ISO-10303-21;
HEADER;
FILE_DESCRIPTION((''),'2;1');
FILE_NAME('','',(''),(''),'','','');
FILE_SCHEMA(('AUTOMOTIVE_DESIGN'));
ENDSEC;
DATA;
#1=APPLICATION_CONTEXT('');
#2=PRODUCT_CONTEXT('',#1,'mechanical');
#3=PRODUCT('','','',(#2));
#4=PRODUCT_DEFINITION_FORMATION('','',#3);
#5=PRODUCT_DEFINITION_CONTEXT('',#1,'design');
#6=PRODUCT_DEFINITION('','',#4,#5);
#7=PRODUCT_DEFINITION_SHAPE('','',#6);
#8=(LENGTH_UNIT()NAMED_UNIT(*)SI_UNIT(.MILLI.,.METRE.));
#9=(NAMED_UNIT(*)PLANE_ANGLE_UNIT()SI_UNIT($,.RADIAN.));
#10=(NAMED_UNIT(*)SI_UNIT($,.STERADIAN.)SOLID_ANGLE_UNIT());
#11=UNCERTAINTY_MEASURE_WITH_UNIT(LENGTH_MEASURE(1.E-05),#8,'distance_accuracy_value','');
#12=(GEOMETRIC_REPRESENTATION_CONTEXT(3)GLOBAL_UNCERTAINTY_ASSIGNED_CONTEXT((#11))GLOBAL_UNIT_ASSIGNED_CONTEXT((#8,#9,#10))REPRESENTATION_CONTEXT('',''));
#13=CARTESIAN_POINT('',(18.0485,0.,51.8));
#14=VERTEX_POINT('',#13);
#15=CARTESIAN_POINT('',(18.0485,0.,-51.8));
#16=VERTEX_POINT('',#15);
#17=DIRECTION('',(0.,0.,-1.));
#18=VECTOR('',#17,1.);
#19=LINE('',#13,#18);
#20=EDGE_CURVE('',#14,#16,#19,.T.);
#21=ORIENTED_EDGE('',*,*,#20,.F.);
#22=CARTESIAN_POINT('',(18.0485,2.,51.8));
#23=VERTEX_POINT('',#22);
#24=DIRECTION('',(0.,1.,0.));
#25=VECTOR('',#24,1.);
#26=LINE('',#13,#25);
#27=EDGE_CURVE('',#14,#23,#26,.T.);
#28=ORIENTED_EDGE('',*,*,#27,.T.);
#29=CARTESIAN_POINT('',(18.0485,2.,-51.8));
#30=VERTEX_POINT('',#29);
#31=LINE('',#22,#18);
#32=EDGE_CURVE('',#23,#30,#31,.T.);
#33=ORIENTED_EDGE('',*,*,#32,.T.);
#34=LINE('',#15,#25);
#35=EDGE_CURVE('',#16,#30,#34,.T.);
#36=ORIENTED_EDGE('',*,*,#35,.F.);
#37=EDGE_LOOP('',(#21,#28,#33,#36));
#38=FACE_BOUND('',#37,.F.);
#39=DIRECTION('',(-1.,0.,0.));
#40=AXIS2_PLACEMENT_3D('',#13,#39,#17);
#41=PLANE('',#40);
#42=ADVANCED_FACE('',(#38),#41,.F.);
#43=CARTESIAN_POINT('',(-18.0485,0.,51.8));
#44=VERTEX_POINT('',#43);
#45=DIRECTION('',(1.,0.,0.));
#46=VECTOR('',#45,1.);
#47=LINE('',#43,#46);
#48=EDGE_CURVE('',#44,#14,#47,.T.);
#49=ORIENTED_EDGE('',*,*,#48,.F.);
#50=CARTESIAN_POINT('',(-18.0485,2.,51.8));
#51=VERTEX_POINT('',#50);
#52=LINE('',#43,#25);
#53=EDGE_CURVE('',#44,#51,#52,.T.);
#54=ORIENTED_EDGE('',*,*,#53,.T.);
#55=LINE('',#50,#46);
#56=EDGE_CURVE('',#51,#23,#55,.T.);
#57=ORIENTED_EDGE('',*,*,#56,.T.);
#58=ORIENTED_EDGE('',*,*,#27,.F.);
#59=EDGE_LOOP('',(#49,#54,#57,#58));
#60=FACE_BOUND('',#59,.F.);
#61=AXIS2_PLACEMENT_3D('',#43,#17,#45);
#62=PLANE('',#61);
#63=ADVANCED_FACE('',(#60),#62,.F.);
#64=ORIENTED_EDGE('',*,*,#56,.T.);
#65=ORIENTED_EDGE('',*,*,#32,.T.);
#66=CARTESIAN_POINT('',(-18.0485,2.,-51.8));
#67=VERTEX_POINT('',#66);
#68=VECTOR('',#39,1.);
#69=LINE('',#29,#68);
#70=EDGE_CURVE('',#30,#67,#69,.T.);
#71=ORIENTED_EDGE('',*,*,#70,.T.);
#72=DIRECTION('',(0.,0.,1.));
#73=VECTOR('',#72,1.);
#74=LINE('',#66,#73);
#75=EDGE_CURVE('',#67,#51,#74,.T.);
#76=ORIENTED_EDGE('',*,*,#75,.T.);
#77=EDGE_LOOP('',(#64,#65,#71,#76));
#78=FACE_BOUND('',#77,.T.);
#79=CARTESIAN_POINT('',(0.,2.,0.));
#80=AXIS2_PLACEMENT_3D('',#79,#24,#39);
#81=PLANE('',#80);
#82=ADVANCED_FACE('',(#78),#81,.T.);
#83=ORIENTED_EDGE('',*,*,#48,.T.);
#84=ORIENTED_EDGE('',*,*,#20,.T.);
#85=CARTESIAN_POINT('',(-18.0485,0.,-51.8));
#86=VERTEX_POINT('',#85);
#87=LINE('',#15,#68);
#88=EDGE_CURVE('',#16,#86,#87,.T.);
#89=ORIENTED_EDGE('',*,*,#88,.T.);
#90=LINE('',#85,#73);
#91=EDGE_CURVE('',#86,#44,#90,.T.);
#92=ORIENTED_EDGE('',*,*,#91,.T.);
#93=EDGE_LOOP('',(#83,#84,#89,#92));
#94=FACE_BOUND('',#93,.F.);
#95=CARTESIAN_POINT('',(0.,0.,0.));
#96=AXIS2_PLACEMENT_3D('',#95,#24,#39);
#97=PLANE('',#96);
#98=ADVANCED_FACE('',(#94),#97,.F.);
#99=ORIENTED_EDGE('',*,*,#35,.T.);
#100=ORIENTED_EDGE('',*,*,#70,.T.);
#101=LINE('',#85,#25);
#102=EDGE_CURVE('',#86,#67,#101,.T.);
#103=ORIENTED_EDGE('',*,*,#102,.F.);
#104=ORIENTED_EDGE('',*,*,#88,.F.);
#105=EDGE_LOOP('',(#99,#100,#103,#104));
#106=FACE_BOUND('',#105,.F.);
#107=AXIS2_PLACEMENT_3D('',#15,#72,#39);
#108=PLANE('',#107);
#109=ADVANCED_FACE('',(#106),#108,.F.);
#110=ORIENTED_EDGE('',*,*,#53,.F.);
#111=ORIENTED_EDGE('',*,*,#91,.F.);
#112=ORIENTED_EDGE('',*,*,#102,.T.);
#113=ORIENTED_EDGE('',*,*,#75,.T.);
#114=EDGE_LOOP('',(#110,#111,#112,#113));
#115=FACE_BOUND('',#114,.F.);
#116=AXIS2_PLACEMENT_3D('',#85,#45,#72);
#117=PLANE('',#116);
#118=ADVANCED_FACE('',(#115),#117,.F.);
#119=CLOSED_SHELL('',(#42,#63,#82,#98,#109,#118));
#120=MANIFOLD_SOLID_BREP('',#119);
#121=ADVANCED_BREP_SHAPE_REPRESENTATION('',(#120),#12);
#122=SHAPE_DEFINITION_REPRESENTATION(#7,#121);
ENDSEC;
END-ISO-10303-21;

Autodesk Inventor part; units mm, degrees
ref_plane "YZ Plane" through (0, 0, 0) normal (1, 0, 0) x (0, 1, 0)
ref_plane "XZ Plane" through (0, 0, 0) normal (0, 1, 0) x (-1, 0, 0)
ref_plane "XY Plane" through (0, 0, 0) normal (0, 0, 1) x (1, 0, 0)
sketch "Sketch1" plane through (0, 0, 0) normal (0, 1, 0) x (-1, 0, 0)
  line L0 (18.0485, 51.8) -> (-18.0485, 51.8)
  line L1 (-18.0485, 51.8) -> (-18.0485, -51.8)
  line L2 (-18.0485, -51.8) -> (18.0485, -51.8)
  line L3 (18.0485, -51.8) -> (18.0485, 51.8)
  line L4 (18.0485, 51.8) -> (-18.0485, -51.8) construction
  line L5 (-18.0485, 51.8) -> (18.0485, -51.8) construction
  point P0 (0, 0)
  dimension "d0" = 103.6
  dimension "d1" = 36.097
extrude "Extrusion1" add sketch "Sketch1" along normal blind 2
properties part number "Part2_3DPrint"
